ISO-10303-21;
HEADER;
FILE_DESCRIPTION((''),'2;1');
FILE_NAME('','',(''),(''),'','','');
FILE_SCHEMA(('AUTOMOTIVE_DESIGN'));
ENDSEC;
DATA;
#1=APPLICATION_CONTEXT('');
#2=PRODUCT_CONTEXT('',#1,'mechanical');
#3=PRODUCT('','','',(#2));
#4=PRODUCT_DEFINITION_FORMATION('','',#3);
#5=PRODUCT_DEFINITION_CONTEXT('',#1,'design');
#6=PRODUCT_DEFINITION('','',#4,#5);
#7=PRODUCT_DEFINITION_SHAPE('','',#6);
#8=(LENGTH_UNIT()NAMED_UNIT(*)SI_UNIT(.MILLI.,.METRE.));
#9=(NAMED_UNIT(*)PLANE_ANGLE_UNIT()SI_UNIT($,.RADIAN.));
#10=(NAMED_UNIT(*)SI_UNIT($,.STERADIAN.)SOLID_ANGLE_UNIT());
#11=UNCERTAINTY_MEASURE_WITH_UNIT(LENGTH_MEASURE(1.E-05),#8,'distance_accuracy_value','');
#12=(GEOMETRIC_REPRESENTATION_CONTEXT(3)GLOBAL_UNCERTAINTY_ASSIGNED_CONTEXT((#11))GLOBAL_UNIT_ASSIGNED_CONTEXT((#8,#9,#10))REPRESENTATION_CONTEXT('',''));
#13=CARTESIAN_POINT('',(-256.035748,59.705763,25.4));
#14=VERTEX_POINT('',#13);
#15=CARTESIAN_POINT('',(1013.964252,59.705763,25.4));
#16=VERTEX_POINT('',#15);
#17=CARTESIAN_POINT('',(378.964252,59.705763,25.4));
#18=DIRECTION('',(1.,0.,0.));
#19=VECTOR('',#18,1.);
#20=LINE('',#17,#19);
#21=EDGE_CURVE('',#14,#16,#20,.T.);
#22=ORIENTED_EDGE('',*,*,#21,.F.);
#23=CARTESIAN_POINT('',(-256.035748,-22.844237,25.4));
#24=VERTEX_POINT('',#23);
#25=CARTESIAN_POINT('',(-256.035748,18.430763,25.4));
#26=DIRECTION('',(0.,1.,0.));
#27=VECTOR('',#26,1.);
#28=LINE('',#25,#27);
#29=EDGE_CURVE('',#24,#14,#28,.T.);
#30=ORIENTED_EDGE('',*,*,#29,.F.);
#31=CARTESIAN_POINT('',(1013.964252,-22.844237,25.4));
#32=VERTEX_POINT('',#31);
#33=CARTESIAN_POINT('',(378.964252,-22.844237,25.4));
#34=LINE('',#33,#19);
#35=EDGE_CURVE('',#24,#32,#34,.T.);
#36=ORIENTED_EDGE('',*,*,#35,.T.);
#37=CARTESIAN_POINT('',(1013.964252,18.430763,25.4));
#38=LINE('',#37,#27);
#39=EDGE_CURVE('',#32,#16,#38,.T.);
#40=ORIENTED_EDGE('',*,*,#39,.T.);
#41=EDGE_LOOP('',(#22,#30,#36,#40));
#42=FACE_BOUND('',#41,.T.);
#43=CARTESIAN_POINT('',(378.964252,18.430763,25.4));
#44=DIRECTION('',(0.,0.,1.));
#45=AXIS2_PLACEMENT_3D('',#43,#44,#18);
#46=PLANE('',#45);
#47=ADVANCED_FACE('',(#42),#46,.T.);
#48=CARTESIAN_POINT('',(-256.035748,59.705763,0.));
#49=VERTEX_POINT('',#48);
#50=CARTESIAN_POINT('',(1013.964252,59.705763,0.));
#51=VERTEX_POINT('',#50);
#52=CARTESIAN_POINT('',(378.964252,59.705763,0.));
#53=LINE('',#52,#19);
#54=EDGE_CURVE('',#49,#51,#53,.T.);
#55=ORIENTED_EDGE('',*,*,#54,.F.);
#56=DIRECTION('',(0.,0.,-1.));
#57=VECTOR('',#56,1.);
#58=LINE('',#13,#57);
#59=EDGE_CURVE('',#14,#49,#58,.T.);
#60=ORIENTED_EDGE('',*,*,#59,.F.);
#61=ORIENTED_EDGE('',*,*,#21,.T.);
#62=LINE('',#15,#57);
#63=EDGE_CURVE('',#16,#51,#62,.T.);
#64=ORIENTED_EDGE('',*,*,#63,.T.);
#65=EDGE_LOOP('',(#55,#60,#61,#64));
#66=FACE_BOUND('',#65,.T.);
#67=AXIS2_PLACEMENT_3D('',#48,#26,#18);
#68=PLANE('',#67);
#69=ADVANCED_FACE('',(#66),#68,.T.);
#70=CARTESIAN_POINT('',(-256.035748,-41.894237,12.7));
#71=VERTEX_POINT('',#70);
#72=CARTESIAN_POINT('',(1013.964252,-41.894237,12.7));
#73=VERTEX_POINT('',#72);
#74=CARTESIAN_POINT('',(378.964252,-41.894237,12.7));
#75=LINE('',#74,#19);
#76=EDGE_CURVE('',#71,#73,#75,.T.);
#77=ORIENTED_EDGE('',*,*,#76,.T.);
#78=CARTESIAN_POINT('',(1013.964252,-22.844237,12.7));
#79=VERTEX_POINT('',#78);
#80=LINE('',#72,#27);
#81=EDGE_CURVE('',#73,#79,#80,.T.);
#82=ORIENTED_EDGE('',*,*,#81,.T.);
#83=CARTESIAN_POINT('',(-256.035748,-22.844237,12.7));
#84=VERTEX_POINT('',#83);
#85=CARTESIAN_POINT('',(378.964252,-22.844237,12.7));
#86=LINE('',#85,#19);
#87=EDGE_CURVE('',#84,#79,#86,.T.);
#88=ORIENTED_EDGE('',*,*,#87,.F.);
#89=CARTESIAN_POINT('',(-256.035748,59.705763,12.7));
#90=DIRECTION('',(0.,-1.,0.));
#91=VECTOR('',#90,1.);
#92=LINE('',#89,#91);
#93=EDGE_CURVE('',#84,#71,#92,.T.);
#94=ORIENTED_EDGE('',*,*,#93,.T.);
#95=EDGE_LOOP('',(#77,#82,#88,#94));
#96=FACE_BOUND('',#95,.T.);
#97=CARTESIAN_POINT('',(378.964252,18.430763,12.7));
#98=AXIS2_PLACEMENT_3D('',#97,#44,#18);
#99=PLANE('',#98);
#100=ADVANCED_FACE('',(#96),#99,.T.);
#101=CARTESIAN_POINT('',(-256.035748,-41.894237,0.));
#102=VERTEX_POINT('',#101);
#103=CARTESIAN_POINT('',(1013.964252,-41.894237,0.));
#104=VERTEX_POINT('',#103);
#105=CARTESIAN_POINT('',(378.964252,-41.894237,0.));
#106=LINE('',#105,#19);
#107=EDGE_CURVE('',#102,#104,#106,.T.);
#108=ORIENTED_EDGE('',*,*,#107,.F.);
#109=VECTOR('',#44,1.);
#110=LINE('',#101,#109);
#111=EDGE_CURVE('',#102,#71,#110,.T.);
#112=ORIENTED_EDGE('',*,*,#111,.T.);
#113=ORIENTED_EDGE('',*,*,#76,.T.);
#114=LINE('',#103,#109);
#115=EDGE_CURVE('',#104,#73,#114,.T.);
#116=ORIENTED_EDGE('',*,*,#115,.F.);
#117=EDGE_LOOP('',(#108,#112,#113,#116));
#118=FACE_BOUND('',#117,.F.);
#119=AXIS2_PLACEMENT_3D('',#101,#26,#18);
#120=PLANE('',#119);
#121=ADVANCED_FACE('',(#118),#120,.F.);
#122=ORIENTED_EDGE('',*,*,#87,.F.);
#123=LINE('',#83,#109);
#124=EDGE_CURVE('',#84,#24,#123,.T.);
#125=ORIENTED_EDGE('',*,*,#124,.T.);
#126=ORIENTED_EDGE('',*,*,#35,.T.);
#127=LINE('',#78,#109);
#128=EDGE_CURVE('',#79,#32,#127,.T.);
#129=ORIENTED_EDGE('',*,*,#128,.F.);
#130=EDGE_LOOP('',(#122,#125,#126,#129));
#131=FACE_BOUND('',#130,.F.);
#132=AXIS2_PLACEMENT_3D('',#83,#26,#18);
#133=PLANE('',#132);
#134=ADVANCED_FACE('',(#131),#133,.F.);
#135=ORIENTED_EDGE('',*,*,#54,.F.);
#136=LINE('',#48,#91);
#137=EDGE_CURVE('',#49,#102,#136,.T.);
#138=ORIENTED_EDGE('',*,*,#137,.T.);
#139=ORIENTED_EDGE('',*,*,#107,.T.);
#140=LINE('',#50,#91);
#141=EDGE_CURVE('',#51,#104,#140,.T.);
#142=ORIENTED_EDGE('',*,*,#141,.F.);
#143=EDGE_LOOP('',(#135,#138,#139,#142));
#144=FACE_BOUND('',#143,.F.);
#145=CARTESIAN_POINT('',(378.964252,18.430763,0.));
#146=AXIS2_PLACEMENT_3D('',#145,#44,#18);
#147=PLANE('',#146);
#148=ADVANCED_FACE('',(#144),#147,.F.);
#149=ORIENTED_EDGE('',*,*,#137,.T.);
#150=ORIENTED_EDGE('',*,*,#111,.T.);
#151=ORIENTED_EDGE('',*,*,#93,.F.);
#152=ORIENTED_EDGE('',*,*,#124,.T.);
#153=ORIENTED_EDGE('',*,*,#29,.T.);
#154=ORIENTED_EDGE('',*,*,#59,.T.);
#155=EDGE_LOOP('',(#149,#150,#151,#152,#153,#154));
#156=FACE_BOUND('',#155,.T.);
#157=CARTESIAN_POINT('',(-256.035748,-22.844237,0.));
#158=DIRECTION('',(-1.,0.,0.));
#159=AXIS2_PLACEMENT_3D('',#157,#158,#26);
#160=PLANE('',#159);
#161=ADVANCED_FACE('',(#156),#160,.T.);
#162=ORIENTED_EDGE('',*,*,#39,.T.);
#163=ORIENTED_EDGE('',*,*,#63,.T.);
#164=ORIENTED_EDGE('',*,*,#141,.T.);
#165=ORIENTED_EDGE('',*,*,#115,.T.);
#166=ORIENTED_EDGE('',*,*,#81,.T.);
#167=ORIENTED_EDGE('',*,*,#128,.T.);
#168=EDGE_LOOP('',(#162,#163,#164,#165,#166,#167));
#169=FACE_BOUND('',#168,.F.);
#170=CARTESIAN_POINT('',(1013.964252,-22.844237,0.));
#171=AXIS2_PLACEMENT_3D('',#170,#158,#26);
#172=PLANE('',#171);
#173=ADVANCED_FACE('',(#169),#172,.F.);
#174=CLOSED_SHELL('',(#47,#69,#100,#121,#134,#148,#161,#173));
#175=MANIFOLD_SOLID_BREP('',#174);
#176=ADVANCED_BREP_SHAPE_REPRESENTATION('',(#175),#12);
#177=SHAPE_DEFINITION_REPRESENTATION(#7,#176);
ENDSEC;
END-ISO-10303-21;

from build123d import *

# Parameters (mm, degrees)
F0_W      = 1270
F0_H      = 82.55
F1_DEPTH  = 12.7
F0_H_2    = 19.05
F1_FACE_W = 1270
F1_FACE_H = 82.55
F2_DEPTH  = 12.7


with BuildPart() as f1:
    # F0 (on Top) → F1 (new body)
    with BuildSketch(Plane.XY):
        with Locations((378.964252, 18.430763)):
            Rectangle(F0_W, F0_H)
    extrude(amount=F1_DEPTH)

    # F0 (on Top) + F1_face (on face) → F2 (join)
    with BuildSketch(Plane.XY):
        with Locations((378.964252, 18.430763)):
            Rectangle(F0_W, F0_H)
        with Locations((378.964252, -32.369237)):
            Rectangle(F0_W, F0_H_2)
    with BuildSketch(Plane(origin=(378.964252, 18.430763, 12.7), x_dir=(1, 0, 0), z_dir=(0, 0, 1))):
        Rectangle(F1_FACE_W, F1_FACE_H)
    extrude(amount=F2_DEPTH)


solid = f1.part
